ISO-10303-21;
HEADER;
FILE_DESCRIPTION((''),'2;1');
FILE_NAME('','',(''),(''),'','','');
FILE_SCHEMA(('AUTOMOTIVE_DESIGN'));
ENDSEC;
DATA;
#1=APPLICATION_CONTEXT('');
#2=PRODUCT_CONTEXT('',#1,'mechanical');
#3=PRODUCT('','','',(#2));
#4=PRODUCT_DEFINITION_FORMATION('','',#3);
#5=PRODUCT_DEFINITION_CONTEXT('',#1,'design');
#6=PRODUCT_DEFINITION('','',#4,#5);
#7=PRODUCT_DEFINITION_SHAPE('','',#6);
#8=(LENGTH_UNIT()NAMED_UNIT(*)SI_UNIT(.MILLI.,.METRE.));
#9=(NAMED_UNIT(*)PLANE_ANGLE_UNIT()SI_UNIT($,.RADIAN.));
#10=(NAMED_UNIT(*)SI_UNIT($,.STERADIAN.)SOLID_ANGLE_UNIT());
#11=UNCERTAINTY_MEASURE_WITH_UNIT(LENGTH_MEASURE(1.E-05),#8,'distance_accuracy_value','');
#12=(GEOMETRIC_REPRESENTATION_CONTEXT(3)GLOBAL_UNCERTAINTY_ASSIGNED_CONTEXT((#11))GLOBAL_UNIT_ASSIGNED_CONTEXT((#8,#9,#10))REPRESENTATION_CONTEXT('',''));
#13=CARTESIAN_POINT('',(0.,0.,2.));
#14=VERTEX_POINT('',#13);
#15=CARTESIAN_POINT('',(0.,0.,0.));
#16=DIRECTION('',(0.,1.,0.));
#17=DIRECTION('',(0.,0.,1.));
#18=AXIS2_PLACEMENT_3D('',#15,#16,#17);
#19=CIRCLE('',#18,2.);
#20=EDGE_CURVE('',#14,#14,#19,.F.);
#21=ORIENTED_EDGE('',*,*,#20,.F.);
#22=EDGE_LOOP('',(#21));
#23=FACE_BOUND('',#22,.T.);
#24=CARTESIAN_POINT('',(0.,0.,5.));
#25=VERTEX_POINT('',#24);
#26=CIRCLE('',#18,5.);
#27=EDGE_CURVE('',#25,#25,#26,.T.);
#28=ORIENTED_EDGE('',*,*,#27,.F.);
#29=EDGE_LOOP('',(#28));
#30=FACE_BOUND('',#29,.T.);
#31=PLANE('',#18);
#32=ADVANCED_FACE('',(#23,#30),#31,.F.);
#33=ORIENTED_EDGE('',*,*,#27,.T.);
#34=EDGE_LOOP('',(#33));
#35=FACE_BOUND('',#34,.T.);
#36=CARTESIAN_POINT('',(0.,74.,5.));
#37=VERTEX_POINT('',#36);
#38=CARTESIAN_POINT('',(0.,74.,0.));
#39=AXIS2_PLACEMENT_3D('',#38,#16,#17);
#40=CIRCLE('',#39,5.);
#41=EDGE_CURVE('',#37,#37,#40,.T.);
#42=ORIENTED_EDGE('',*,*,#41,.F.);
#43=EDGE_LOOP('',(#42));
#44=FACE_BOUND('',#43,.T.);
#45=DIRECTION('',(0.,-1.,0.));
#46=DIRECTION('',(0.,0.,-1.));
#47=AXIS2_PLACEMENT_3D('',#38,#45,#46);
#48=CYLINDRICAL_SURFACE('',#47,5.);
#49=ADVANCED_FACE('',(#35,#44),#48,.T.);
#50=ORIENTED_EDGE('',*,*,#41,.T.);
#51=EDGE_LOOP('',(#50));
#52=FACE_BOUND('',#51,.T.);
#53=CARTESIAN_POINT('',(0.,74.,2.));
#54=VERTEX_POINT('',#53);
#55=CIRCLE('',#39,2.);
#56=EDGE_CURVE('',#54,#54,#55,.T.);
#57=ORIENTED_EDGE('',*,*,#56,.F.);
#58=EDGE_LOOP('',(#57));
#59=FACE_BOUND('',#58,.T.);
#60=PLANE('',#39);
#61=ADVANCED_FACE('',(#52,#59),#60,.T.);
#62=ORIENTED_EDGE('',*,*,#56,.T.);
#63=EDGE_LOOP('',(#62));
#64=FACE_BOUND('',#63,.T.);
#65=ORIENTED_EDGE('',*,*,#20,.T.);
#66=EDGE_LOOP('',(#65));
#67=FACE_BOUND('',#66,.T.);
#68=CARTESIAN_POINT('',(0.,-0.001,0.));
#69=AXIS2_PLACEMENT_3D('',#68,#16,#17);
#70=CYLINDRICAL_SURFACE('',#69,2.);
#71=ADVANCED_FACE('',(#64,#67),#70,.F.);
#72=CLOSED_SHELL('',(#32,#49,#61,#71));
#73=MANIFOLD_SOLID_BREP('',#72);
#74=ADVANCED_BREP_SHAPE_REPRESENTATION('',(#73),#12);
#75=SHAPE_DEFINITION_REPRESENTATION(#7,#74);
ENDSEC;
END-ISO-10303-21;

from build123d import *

# Parameters (mm, degrees)
SKETCH1_R           = 5
BOSS_EXTRUDE1_DEPTH = 74
CUT_EXTRUDE1_REACH  = 76.337
SKETCH2_R           = 2


with BuildPart() as part:
    # Sketch1 → Boss-Extrude1 (new body)
    with BuildSketch(Plane(origin=(0, 0, 0), x_dir=(1, 0, 0), z_dir=(0, 1, 0))):
        with Locations(Location((0, 0, 0), (0, 0, 270))):
            Circle(SKETCH1_R)
    extrude(amount=BOSS_EXTRUDE1_DEPTH)

    # Sketch2 → Cut-Extrude1 (cut, up to next)
    with BuildSketch(Plane(origin=(0, 74, 0), x_dir=(1, 0, 0), z_dir=(0, 1, 0)), mode=Mode.PRIVATE) as cut_extrude1_sk1:
        with Locations(Location((0, 0, 0), (0, 0, 270))):
            Circle(SKETCH2_R)
    cut_extrude1_tool1 = extrude(cut_extrude1_sk1.sketch, amount=-CUT_EXTRUDE1_REACH, mode=Mode.PRIVATE) & part.part
    add(cut_extrude1_tool1.solids().sort_by_distance((0, 74, 0))[0], mode=Mode.SUBTRACT)


solid = part.part
